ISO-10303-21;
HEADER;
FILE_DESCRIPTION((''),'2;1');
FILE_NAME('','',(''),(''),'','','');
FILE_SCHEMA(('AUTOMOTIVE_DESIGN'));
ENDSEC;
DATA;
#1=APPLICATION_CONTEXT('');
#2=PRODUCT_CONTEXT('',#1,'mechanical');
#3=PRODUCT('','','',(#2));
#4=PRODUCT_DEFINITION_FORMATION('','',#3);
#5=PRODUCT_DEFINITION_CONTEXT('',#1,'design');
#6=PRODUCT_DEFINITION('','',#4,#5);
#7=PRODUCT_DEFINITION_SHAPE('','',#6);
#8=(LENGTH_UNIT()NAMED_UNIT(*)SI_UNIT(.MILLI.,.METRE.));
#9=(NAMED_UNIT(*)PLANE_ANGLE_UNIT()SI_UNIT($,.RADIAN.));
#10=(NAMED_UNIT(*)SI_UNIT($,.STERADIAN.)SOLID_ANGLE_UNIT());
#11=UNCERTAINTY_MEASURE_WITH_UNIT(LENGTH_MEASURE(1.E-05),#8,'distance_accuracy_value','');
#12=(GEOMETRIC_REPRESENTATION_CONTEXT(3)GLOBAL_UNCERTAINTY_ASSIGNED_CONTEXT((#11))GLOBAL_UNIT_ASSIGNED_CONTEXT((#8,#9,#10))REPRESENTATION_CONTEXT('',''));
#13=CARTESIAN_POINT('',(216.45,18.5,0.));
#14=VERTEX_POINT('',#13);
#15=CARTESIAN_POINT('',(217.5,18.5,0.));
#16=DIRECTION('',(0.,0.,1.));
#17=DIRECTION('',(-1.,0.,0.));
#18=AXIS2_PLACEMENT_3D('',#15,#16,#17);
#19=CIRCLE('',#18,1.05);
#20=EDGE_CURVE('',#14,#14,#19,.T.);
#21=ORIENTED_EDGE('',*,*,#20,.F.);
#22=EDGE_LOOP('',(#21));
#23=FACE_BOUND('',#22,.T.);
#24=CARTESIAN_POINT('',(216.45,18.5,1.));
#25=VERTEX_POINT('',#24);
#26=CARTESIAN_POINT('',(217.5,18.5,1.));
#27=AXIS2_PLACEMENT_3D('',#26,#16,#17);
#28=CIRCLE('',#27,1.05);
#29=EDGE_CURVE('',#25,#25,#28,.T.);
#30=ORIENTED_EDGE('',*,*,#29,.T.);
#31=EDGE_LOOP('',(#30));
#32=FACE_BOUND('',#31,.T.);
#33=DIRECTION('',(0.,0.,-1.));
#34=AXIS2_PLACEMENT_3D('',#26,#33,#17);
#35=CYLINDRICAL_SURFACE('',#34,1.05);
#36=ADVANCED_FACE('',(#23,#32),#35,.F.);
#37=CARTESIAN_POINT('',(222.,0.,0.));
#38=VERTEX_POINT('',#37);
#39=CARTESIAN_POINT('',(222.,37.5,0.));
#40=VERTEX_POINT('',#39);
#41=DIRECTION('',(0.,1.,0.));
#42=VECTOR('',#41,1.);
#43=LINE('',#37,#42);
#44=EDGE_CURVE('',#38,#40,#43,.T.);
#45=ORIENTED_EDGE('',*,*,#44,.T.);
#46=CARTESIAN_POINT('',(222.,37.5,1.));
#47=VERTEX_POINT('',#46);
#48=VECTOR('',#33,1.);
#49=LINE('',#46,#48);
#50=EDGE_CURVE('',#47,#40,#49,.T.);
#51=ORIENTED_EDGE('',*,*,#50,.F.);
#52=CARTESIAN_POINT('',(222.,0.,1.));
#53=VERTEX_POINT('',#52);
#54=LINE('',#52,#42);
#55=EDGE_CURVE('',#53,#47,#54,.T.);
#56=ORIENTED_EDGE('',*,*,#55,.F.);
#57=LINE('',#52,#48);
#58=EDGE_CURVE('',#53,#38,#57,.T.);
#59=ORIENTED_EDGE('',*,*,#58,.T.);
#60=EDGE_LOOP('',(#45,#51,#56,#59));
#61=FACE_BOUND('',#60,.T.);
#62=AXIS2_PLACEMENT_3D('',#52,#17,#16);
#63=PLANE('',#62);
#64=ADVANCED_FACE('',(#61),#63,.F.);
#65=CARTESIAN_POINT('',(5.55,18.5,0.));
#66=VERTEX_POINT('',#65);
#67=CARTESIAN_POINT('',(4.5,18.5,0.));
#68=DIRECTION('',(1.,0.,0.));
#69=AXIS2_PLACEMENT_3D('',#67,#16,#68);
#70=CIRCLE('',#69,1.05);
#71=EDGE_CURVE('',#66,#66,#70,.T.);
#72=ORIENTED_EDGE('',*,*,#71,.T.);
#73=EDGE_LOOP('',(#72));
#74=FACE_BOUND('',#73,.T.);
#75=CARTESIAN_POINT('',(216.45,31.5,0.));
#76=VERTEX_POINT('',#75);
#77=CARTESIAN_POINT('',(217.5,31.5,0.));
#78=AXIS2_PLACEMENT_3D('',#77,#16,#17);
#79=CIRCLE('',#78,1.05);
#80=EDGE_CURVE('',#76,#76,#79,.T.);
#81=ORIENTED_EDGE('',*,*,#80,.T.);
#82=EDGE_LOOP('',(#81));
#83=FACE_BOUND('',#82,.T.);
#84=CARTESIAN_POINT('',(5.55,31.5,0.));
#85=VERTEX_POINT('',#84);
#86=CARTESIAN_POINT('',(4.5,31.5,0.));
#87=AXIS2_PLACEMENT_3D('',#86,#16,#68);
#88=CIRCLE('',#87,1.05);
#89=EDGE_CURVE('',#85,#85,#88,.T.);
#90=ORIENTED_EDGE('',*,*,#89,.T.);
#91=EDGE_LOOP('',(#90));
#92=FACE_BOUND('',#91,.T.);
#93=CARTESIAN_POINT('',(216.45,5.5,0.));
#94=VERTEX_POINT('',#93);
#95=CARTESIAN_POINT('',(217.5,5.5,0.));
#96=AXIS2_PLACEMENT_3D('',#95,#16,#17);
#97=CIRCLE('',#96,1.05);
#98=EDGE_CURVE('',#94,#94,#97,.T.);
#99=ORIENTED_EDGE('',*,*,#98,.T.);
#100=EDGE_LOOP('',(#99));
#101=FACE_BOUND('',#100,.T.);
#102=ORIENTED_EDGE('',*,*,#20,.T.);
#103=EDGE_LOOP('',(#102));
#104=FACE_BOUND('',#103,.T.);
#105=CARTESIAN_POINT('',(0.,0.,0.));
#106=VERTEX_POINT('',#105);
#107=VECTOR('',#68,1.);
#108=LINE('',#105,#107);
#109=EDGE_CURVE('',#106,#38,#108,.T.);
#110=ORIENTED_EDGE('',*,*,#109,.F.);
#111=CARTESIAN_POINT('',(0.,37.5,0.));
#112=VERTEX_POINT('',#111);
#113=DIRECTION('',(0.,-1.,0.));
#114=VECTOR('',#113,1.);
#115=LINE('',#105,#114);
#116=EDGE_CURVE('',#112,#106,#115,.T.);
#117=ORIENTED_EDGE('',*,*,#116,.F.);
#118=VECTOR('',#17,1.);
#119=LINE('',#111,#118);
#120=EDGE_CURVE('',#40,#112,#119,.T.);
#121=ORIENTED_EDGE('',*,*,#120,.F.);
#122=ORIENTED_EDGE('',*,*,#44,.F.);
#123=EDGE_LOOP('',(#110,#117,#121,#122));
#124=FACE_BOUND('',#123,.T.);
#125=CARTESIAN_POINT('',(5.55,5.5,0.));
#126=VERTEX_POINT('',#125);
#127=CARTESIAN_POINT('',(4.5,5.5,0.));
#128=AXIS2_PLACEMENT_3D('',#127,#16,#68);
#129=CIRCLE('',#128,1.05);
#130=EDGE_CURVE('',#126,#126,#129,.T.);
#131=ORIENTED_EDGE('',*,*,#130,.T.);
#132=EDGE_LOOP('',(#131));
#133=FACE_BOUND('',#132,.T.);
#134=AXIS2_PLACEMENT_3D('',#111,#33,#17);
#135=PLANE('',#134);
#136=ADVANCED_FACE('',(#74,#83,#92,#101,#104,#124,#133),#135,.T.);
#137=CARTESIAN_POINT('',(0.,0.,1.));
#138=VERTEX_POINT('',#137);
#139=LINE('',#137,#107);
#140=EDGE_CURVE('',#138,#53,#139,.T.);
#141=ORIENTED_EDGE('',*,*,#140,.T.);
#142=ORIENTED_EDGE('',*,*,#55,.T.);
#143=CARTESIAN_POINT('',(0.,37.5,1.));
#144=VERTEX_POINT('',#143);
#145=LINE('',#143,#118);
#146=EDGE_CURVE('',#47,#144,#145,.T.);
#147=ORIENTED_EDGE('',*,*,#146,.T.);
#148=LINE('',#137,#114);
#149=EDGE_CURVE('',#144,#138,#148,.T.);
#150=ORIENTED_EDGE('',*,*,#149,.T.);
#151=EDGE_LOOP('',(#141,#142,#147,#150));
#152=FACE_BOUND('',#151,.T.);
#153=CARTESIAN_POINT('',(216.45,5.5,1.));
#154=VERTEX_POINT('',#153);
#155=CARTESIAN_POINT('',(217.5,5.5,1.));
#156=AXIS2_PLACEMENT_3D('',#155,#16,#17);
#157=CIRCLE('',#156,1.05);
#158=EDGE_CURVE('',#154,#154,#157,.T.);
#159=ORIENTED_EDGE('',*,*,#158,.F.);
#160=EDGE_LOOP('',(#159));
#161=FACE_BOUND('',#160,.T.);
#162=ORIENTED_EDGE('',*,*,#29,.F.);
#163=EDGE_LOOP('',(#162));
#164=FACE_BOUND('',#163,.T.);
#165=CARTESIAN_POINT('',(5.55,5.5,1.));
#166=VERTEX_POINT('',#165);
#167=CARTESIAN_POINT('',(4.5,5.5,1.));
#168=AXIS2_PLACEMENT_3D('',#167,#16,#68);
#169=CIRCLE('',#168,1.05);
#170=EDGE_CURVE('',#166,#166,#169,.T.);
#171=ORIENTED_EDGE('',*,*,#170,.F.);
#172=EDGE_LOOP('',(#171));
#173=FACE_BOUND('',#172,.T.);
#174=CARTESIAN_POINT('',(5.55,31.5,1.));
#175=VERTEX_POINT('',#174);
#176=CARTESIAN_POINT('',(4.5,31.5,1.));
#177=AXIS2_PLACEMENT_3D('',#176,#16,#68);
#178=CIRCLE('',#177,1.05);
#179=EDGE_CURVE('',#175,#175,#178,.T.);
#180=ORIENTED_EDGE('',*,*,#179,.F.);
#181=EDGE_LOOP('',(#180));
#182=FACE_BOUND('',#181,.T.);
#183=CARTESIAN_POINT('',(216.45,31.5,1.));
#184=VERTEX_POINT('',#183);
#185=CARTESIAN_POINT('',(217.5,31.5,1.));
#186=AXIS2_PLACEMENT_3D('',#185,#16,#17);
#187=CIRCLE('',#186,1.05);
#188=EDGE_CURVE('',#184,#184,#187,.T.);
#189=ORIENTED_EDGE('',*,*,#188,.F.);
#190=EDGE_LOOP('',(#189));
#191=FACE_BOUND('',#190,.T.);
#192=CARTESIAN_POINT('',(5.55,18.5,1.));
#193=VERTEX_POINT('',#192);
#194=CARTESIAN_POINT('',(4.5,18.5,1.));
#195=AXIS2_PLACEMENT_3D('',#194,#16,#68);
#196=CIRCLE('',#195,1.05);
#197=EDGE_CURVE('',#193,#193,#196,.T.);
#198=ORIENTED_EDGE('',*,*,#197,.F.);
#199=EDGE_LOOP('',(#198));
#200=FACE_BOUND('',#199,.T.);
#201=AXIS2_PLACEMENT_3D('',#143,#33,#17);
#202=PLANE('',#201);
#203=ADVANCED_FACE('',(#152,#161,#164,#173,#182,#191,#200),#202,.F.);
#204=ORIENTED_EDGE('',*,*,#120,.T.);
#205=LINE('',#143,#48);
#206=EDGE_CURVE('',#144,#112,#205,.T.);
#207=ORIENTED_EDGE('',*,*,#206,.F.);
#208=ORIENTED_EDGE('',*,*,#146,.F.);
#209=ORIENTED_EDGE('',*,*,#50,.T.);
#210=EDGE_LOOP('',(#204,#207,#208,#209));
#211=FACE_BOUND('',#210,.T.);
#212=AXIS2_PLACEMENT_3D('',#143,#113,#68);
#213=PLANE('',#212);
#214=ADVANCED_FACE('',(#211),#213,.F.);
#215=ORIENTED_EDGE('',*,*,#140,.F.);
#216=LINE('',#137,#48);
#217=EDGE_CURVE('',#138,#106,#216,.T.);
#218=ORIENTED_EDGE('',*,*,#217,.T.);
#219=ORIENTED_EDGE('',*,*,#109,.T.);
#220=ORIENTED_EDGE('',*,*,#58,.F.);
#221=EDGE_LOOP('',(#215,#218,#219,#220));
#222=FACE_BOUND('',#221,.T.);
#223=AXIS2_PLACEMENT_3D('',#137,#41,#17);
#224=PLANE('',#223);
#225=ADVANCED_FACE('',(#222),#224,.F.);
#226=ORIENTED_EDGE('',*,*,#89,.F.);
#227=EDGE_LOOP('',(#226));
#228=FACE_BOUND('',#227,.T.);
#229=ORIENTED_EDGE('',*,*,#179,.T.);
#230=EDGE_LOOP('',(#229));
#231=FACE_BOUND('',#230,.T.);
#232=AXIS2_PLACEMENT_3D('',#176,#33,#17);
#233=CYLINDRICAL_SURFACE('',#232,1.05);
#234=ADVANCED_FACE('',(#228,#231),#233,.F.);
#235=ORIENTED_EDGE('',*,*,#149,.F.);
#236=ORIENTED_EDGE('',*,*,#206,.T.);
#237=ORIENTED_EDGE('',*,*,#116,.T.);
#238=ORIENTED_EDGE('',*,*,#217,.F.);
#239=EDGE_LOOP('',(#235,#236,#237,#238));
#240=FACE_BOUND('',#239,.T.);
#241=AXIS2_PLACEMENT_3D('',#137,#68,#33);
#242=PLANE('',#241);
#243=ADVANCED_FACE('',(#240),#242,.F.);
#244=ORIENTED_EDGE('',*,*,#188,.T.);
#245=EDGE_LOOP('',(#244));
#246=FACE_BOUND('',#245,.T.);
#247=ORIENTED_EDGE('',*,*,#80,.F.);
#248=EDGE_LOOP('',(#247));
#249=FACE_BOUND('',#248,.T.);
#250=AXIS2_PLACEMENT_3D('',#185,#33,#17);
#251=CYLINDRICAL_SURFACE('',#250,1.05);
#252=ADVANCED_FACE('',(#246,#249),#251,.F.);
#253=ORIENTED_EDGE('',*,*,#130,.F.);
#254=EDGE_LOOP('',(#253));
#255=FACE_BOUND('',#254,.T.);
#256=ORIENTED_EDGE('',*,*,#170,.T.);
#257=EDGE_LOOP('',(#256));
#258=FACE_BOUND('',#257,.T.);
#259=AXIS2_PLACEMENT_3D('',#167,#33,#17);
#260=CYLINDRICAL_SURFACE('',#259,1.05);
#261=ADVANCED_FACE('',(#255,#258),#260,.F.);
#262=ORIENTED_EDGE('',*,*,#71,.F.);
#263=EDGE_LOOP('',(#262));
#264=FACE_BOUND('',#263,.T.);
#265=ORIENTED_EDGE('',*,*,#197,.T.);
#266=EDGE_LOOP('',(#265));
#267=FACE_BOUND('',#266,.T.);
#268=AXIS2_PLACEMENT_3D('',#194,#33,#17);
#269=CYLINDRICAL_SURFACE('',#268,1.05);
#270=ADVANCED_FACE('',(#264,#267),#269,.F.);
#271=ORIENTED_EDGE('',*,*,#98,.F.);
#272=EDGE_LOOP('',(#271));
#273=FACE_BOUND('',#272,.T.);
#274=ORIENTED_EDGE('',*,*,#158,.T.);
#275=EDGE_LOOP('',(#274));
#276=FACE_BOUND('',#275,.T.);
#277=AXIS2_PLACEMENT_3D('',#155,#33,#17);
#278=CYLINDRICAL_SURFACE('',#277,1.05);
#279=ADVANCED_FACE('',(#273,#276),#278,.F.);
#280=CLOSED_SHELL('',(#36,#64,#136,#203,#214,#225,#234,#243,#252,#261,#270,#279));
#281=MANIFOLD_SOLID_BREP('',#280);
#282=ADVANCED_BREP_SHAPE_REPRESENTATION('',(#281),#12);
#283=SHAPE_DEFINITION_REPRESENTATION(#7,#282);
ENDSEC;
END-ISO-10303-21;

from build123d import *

# Parameters (mm, degrees)
SKETCH_1_W      = 222
SKETCH_1_H      = 37.5
SKETCH_1_R      = 1.05
EXTRUDE_1_DEPTH = 1


with BuildPart() as part:
    # Эскиз1 → Бобышка-Вытянуть1 (new body)
    with BuildSketch(Plane.XY):
        with Locations((111, 18.75)):
            Rectangle(SKETCH_1_W, SKETCH_1_H)
        with Locations((4.5, 31.5)):
            Circle(SKETCH_1_R, mode=Mode.SUBTRACT)
        with Locations((4.5, 18.5)):
            Circle(SKETCH_1_R, mode=Mode.SUBTRACT)
        with Locations((4.5, 5.5)):
            Circle(SKETCH_1_R, mode=Mode.SUBTRACT)
        with Locations(Location((217.5, 5.5, 0), (0, 0, 180))):
            Circle(SKETCH_1_R, mode=Mode.SUBTRACT)
        with Locations(Location((217.5, 18.5, 0), (0, 0, 180))):
            Circle(SKETCH_1_R, mode=Mode.SUBTRACT)
        with Locations(Location((217.5, 31.5, 0), (0, 0, 180))):
            Circle(SKETCH_1_R, mode=Mode.SUBTRACT)
    extrude(amount=EXTRUDE_1_DEPTH)


solid = part.part
